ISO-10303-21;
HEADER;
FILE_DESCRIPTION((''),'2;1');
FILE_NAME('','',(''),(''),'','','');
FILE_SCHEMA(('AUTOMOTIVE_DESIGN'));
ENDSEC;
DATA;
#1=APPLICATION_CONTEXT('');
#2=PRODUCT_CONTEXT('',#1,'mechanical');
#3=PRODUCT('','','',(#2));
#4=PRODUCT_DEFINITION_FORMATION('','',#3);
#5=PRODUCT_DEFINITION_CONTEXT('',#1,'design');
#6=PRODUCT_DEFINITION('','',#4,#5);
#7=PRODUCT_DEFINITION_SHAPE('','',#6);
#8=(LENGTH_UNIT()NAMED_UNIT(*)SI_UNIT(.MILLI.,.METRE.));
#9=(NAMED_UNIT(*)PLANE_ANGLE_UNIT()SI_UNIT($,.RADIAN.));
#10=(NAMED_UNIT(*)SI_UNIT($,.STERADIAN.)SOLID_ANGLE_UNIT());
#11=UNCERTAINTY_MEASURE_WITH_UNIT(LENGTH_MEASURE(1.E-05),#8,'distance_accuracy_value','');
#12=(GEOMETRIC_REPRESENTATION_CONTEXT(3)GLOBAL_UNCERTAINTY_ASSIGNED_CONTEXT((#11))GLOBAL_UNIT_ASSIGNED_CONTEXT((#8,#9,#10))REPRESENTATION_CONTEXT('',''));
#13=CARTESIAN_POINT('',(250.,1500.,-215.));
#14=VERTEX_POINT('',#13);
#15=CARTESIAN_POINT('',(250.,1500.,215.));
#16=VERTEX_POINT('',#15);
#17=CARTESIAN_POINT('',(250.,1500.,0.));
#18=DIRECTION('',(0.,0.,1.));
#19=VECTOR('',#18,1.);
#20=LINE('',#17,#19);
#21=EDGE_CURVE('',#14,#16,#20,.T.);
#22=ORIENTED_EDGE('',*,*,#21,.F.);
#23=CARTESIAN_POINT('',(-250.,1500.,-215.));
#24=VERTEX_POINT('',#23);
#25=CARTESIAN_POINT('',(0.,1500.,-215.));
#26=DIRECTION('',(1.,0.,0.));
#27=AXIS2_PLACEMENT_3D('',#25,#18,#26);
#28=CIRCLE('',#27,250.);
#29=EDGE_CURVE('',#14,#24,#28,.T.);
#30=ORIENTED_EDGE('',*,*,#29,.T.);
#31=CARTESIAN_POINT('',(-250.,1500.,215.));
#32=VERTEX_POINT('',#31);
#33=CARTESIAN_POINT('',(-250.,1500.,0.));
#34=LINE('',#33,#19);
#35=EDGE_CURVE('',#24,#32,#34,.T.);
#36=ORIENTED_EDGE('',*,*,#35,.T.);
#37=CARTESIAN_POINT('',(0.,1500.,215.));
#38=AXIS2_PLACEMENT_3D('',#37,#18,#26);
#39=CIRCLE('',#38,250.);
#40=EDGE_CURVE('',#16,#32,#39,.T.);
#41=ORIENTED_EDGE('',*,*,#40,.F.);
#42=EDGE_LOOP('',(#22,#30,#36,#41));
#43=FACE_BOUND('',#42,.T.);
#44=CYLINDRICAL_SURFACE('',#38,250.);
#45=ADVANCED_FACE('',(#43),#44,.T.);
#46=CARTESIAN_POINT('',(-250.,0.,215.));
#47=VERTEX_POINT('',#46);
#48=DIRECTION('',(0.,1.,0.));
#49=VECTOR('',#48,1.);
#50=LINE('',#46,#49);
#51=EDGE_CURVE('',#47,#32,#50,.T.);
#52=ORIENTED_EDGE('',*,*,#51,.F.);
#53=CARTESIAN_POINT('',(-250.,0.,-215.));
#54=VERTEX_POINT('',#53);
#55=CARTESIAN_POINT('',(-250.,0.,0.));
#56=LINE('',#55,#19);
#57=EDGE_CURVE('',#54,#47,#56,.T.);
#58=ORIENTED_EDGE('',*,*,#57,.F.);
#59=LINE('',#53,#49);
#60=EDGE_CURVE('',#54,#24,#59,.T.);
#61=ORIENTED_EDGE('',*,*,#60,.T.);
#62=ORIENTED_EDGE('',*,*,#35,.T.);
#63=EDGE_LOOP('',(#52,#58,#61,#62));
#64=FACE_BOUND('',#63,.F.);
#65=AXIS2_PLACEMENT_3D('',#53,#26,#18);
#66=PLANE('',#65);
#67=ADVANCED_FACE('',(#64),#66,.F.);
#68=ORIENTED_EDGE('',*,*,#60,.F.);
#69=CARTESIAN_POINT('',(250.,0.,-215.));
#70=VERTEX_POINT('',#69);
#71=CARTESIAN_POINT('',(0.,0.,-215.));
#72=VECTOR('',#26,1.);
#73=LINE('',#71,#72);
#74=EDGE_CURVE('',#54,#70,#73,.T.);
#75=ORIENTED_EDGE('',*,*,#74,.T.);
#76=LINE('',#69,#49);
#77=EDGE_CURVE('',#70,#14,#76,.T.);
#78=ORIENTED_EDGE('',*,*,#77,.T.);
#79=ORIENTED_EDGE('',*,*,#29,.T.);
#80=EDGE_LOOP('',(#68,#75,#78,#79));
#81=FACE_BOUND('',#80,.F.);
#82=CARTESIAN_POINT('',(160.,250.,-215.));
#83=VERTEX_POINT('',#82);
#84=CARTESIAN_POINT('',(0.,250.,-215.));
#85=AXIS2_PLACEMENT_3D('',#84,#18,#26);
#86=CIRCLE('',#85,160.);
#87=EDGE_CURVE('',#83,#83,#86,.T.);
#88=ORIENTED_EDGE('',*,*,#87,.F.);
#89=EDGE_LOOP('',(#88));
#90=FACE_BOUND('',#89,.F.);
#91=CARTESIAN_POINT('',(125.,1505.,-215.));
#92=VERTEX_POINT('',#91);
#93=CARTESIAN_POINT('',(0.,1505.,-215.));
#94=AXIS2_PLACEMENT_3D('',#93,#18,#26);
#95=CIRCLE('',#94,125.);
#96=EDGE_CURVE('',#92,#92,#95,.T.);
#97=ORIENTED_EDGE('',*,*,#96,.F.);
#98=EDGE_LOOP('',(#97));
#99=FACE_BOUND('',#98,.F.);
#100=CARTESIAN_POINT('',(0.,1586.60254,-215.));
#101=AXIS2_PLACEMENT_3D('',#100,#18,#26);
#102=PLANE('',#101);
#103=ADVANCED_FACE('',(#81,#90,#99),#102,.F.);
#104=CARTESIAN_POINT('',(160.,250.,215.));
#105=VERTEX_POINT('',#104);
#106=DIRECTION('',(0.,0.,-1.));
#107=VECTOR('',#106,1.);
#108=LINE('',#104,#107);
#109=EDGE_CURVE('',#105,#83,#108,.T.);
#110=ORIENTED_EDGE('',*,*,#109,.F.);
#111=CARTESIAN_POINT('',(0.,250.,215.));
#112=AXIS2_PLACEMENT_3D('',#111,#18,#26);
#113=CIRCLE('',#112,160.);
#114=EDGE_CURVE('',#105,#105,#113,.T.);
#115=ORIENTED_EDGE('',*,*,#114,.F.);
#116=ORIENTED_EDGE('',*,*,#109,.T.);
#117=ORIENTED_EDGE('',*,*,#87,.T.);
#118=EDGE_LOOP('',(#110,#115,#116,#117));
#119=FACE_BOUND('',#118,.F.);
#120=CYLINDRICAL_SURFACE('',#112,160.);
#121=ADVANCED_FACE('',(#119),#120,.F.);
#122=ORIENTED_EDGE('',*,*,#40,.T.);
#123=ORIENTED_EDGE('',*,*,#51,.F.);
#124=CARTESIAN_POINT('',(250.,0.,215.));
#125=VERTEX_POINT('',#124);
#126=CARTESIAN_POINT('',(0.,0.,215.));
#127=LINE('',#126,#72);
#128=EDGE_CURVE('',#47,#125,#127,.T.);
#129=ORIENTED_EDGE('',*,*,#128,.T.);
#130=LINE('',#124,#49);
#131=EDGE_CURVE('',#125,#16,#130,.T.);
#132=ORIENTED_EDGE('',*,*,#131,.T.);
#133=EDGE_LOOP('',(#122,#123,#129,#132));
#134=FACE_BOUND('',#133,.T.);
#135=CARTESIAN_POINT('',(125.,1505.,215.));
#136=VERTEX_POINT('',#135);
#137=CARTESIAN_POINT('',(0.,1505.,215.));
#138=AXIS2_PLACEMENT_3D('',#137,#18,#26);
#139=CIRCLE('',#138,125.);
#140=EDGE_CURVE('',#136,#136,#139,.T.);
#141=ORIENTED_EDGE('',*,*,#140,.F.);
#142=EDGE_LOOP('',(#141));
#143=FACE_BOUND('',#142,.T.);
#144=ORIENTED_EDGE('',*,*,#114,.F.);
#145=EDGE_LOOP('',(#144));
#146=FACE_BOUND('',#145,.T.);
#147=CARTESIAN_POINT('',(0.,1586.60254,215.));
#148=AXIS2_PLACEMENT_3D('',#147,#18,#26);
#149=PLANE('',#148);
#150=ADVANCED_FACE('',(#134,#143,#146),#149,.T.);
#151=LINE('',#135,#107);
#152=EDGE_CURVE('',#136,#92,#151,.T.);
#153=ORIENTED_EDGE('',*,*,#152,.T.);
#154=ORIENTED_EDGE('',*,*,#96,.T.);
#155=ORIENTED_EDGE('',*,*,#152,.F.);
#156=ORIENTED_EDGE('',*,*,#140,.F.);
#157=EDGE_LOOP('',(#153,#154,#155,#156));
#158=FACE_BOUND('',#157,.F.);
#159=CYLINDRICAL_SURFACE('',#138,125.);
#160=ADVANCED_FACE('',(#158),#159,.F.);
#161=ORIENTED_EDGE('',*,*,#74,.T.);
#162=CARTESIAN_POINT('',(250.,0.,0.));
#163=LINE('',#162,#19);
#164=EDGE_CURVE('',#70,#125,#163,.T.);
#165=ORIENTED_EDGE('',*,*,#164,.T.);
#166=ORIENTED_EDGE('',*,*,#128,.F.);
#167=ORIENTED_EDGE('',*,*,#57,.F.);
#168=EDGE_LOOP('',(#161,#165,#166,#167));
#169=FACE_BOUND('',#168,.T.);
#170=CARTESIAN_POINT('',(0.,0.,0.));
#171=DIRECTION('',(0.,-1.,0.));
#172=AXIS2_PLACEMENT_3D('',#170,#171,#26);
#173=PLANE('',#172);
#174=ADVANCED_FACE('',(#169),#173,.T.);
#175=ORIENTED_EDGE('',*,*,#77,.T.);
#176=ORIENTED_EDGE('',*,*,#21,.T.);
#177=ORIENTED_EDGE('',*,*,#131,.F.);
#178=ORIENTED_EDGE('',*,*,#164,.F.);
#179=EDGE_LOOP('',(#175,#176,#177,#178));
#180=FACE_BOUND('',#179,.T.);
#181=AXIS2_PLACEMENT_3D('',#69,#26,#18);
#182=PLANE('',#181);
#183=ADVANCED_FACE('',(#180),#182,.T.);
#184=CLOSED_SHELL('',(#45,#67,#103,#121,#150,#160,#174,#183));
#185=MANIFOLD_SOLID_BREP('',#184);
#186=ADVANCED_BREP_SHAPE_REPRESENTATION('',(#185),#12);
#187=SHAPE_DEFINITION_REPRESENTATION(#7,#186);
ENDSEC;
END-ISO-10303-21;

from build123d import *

# Parameters (mm, degrees)
F0_W     = 500
F0_H     = 430
F1_DEPTH = 1500
F3_DEPTH = 430
F4_R     = 125
F5_DEPTH = 500
F6_R     = 160
F7_DEPTH = 500


with BuildPart() as f1:
    # F0 (on Front) → F1 (new body)
    with BuildSketch(Plane.XZ):
        Rectangle(F0_W, F0_H)
    extrude(amount=-F1_DEPTH)

    # F2 (on face) → F3 (join)
    with BuildSketch(Plane.XY.offset(215)):
        with BuildLine():
            Line((-250, 1500), (250, 1500))
            ThreePointArc((250, 1500), (0, 1750), (-250, 1500))
        make_face()
    extrude(amount=-F3_DEPTH)

    # F4 (on face) → F5 (cut)
    with BuildSketch(Plane.XY.offset(215)):
        with Locations((0, 1505)):
            Circle(F4_R)
    extrude(amount=-F5_DEPTH, mode=Mode.SUBTRACT)

    # F6 (on face) → F7 (cut)
    with BuildSketch(Plane.XY.offset(215)):
        with Locations((0, 250)):
            Circle(F6_R)
    extrude(amount=-F7_DEPTH, mode=Mode.SUBTRACT)


solid = f1.part
